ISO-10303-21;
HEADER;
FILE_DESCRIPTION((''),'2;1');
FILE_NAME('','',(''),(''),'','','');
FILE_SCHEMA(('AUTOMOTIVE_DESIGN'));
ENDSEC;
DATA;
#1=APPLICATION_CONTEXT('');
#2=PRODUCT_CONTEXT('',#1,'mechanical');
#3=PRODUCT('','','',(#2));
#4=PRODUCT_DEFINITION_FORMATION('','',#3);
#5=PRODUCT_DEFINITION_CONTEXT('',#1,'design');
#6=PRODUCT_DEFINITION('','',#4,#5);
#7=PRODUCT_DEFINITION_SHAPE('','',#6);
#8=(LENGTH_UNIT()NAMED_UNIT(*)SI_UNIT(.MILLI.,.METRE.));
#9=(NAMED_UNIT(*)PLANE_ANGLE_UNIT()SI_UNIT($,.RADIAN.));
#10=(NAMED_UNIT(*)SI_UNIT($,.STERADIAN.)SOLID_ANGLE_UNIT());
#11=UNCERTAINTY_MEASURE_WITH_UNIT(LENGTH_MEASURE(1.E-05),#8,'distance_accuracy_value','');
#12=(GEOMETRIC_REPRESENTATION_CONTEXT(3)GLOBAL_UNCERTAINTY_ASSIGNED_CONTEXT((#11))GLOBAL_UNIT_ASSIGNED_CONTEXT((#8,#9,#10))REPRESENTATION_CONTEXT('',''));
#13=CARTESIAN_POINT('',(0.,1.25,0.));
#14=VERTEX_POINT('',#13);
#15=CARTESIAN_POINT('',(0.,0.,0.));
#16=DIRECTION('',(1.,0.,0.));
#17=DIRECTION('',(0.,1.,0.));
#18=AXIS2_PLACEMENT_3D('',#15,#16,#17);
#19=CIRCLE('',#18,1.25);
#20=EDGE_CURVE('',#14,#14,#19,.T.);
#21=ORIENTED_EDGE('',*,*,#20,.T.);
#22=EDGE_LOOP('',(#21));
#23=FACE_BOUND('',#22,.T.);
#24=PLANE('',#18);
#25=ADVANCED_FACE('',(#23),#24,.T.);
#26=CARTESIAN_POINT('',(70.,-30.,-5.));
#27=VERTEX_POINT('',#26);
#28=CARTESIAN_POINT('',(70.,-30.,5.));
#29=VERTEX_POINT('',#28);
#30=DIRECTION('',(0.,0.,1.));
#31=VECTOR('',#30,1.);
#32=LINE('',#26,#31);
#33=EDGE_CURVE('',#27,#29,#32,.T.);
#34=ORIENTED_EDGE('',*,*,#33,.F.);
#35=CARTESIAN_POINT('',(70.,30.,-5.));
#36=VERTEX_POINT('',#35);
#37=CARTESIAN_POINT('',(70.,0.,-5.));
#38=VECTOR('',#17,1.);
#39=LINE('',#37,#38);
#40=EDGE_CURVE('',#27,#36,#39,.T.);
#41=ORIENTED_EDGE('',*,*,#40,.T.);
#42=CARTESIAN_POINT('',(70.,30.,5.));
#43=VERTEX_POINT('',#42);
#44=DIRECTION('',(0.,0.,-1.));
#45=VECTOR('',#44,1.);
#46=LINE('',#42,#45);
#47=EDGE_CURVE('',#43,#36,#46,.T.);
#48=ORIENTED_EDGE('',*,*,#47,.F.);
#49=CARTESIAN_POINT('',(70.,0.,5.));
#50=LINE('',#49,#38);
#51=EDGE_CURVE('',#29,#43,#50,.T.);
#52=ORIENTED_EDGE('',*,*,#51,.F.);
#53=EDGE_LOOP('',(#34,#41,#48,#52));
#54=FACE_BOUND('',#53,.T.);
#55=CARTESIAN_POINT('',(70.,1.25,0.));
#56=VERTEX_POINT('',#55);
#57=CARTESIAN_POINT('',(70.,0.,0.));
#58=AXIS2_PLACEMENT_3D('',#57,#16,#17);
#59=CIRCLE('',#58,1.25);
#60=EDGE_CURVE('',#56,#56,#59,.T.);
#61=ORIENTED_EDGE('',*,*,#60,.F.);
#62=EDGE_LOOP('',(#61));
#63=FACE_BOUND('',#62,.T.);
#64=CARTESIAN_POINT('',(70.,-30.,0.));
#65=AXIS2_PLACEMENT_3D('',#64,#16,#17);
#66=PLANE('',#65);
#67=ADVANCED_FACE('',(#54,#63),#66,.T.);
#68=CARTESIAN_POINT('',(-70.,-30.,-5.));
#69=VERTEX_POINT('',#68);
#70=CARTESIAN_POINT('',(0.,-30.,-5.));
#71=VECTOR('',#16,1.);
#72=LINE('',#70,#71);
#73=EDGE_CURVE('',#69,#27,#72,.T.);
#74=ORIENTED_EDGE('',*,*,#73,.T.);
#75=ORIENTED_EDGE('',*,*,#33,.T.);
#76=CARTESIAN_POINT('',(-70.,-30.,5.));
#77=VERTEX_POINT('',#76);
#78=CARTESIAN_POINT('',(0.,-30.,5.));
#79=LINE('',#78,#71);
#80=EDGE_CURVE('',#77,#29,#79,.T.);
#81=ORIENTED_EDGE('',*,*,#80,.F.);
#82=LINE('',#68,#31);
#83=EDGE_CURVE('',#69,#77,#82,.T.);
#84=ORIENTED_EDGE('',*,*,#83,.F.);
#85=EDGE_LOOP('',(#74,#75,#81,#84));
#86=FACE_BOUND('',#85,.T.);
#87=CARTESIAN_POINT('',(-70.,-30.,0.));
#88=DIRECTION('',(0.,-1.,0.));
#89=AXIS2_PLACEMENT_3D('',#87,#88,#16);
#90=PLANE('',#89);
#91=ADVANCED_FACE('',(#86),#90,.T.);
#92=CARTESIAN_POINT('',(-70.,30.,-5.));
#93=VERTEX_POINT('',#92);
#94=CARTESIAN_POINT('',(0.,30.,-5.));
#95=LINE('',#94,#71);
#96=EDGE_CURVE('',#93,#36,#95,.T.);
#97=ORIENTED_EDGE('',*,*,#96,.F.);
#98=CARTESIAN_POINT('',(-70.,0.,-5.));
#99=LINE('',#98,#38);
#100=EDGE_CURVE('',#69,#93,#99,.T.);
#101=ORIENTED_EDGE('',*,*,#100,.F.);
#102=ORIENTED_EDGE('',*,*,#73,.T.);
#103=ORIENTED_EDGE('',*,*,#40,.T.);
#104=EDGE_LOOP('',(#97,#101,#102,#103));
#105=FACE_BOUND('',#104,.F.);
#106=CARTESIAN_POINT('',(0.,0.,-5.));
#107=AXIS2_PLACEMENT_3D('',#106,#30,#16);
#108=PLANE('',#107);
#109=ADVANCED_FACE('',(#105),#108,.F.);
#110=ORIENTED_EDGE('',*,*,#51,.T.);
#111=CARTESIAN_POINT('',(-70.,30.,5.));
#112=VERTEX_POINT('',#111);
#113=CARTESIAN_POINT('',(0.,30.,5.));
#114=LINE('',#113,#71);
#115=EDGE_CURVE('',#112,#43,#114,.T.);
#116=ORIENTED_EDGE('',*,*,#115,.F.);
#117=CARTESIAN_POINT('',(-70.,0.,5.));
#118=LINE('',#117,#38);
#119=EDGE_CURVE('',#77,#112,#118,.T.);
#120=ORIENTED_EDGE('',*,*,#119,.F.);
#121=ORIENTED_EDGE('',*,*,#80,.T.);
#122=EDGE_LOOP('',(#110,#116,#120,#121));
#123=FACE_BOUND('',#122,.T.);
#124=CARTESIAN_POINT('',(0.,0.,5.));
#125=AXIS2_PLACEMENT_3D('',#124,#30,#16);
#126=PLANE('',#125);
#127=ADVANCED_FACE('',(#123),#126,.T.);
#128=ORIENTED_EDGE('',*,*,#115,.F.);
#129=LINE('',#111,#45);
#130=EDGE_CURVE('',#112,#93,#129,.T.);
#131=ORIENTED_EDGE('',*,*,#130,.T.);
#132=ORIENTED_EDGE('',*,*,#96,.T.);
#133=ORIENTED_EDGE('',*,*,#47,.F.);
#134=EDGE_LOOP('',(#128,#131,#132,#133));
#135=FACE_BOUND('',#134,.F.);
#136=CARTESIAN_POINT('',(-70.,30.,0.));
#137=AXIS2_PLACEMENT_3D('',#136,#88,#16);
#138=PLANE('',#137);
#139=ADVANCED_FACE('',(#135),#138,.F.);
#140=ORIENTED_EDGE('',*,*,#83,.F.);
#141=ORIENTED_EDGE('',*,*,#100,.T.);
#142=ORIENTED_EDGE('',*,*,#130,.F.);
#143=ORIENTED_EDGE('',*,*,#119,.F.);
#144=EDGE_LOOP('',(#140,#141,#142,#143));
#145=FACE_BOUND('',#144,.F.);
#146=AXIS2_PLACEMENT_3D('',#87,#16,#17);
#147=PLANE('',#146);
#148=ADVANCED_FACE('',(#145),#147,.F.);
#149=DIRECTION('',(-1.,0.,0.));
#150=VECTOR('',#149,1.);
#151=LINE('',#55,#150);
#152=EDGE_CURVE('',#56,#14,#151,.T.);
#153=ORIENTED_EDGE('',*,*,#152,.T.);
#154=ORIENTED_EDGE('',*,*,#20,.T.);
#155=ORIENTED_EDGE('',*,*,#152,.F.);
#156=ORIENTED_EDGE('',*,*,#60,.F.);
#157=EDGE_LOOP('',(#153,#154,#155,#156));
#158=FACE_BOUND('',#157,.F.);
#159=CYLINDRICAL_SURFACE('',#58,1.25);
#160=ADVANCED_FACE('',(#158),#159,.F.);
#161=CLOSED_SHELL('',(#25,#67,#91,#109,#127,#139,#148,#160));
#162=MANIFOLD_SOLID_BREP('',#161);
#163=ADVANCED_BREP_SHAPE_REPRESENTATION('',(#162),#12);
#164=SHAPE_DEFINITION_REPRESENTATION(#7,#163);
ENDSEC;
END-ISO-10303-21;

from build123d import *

# Parameters (mm, degrees)
F0_W     = 140
F0_H     = 60
F1_DEPTH = 5
F2_R     = 1.25
F3_DEPTH = 70


with BuildPart() as f1:
    # F0 (on Top) → F1 (new body, symmetric)
    with BuildSketch(Plane.XY):
        Rectangle(F0_W, F0_H)
    extrude(amount=F1_DEPTH, both=True)

    # F2 (on face) → F3 (cut)
    with BuildSketch(Plane.YZ.offset(70)):
        Circle(F2_R)
    extrude(amount=-F3_DEPTH, mode=Mode.SUBTRACT)


solid = f1.part
